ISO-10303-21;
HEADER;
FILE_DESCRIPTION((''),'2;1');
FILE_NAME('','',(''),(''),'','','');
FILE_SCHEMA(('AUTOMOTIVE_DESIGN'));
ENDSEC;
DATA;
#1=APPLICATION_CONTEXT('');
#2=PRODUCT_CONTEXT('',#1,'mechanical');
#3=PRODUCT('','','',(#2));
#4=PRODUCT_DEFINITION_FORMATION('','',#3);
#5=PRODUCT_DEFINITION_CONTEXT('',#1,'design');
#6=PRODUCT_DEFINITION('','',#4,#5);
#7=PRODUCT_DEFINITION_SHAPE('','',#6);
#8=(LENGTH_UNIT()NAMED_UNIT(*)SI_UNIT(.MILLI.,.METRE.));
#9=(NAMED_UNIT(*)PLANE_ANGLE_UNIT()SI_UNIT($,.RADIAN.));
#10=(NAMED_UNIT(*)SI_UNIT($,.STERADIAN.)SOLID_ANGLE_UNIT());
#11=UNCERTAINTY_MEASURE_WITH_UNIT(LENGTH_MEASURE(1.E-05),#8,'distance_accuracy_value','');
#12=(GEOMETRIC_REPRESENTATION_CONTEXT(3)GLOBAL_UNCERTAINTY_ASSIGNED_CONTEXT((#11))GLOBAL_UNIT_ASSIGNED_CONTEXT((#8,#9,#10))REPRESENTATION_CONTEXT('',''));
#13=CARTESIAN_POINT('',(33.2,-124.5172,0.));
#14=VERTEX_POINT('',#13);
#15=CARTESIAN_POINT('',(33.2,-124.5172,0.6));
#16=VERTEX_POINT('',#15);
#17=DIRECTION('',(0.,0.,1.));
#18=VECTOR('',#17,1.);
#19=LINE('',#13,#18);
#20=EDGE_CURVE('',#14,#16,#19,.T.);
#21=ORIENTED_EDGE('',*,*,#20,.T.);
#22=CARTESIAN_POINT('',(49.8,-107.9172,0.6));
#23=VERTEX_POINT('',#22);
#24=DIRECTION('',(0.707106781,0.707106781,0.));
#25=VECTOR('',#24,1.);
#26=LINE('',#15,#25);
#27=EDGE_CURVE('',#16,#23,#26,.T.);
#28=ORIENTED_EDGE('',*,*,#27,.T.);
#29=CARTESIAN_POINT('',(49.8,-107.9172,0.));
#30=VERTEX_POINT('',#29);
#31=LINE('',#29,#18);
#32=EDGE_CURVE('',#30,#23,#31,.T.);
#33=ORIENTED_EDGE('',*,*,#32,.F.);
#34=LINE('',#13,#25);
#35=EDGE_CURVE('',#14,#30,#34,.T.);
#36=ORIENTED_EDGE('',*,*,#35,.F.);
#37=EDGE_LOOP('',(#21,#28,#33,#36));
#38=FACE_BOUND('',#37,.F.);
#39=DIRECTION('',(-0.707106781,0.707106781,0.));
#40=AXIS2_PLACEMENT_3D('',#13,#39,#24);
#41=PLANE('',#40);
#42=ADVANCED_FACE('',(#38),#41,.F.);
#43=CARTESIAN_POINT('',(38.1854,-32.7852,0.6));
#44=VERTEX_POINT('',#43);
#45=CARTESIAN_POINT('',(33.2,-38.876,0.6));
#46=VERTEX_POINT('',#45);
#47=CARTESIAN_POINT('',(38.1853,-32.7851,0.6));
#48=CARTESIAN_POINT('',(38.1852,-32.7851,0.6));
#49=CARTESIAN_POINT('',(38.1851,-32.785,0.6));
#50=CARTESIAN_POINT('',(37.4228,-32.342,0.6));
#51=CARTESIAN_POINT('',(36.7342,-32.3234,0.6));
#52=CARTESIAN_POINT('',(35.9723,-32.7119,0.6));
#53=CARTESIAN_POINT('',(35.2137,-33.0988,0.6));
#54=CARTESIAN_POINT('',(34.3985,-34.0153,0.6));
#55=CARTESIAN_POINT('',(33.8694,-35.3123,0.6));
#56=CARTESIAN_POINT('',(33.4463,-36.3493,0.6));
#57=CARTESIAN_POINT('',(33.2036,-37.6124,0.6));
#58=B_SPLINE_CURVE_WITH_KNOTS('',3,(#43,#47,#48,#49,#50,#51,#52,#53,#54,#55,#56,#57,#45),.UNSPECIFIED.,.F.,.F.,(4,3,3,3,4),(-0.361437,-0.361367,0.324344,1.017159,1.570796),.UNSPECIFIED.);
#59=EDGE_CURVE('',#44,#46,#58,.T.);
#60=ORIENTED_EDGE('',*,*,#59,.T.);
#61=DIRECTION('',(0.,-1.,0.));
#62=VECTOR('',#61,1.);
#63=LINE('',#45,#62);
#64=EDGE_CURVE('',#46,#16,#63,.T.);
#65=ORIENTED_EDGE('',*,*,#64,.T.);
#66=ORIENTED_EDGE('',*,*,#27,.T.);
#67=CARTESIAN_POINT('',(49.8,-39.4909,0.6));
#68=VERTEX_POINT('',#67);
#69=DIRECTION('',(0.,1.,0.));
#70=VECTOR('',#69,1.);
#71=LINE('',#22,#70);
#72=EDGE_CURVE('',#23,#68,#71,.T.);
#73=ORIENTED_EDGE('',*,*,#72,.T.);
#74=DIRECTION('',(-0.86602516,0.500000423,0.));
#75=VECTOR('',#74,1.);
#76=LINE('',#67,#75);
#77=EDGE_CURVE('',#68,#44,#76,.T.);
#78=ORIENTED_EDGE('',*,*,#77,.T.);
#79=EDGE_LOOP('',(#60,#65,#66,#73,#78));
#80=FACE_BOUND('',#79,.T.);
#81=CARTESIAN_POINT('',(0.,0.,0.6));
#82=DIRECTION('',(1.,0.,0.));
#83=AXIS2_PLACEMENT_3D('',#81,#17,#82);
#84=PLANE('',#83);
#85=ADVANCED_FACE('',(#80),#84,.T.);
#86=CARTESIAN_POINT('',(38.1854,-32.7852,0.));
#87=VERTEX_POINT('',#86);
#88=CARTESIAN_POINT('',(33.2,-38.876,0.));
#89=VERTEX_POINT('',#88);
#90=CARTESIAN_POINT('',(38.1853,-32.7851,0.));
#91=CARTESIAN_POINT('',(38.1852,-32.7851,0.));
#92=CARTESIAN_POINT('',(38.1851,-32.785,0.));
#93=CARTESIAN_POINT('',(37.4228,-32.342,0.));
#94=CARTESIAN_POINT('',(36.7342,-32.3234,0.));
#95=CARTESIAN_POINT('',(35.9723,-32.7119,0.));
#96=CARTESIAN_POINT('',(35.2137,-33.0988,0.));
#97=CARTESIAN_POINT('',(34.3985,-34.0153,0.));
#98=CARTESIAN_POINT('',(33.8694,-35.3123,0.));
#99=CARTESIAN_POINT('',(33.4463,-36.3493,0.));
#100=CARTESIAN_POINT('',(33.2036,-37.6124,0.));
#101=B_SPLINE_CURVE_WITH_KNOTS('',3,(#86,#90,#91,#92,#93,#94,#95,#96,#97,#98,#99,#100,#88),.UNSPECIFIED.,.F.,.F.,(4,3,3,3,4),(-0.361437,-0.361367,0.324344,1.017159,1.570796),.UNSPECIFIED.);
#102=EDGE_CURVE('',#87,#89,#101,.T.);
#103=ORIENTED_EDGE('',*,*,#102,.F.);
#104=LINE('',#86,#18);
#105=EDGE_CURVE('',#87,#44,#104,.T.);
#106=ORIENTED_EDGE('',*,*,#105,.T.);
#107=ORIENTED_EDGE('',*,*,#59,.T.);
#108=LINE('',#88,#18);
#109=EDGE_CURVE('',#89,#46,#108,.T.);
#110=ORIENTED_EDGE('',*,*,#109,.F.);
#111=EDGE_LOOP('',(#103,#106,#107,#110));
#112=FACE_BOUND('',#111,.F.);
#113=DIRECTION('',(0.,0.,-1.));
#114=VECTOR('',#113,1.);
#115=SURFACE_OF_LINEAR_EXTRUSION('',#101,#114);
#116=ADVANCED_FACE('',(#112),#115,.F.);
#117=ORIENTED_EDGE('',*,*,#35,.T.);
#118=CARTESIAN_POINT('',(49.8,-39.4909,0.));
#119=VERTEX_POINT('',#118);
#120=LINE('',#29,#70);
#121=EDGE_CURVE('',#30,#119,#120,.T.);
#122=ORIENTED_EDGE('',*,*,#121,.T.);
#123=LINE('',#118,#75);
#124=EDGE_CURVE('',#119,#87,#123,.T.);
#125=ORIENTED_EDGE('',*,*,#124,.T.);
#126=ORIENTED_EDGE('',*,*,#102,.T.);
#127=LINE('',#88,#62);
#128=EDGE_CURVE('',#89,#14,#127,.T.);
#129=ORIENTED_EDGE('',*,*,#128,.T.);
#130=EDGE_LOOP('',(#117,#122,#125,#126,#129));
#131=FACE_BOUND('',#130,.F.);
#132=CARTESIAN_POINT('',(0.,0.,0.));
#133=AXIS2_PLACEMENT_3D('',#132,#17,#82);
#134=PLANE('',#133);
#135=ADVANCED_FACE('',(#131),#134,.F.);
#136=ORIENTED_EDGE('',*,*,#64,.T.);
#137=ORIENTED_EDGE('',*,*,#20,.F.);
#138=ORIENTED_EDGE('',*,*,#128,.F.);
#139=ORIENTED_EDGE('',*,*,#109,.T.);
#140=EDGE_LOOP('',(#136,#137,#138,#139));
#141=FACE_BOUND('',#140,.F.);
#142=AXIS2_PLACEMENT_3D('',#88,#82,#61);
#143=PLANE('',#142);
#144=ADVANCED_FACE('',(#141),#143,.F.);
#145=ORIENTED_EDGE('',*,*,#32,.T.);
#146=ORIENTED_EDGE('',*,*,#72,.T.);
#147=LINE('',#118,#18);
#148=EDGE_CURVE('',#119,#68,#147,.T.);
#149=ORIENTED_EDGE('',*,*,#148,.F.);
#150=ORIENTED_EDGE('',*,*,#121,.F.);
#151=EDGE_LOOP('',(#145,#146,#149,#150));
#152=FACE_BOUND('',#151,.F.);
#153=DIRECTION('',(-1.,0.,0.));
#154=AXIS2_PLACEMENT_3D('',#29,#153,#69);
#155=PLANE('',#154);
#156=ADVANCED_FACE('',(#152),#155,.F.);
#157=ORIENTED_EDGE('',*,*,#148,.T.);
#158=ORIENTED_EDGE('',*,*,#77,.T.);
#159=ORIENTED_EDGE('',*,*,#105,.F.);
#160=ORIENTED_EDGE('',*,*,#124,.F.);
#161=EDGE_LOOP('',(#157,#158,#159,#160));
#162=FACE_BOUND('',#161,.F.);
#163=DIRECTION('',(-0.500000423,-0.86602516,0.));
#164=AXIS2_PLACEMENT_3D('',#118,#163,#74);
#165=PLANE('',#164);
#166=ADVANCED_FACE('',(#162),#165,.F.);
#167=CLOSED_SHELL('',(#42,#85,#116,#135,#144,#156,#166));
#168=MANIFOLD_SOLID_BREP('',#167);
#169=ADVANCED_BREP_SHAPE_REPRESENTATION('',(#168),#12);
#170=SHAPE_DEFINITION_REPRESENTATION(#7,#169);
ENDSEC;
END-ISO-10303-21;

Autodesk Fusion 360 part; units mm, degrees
sketch "Sketch1" plane through (0, 0, 0) normal (0, 0, 1) x (1, 0, 0)
  line L0 (50, -108) -> (50, -39.3754)
  line L1 (50, -39.3754) -> (38.2856, -32.6121)
  spline S0 degree 3 poles (38.2856, -32.6121) (37.4771, -32.1422) (36.6924, -32.1202) (35.8815, -32.5337) (35.0622, -32.9516) (34.2278, -33.9044) (33.6842, -35.2367) (33.2499, -36.3014) (33.0037, -37.5868) (33, -38.8754) knots -0.361367 -0.361367 -0.361367 -0.361367 0.324344 0.324344 0.324344 1.017159 1.017159 1.017159 1.570796 1.570796 1.570796 1.570796
  line L2 (33, -38.8754) -> (33, -125)
  line L3 (33, -125) -> (50, -108)
  line L4 (49.8, -107.9172) -> (49.8, -39.4909)
  line L5 (49.8, -39.4909) -> (38.1854, -32.7852)
  spline S1 degree 3 poles (38.1854, -32.7852) (38.1853, -32.7851) (38.1852, -32.7851) (38.1851, -32.785) (37.4228, -32.342) (36.7342, -32.3234) (35.9723, -32.7119) (35.2137, -33.0988) (34.3985, -34.0153) (33.8694, -35.3123) (33.4463, -36.3493) (33.2036, -37.6124) (33.2, -38.876) knots -0.361437 -0.361437 -0.361437 -0.361437 -0.361367 -0.361367 -0.361367 0.324344 0.324344 0.324344 1.017159 1.017159 1.017159 1.570796 1.570796 1.570796 1.570796
  line L6 (33.2, -38.876) -> (33.2, -124.5172)
  line L7 (33.2, -124.5172) -> (49.8, -107.9172)
  dimension "d1" = 45
  dimension "d2" = 17
  dimension "d3" = 33
  dimension "d4" = 125
  dimension "d5" = 120
  dimension "d6" = 0.5
  dimension "d7" = -0.2
extrude "Extrude1" add sketch "Sketch1" along normal blind 0.6 contours L4 L5 S1 L6 L7
